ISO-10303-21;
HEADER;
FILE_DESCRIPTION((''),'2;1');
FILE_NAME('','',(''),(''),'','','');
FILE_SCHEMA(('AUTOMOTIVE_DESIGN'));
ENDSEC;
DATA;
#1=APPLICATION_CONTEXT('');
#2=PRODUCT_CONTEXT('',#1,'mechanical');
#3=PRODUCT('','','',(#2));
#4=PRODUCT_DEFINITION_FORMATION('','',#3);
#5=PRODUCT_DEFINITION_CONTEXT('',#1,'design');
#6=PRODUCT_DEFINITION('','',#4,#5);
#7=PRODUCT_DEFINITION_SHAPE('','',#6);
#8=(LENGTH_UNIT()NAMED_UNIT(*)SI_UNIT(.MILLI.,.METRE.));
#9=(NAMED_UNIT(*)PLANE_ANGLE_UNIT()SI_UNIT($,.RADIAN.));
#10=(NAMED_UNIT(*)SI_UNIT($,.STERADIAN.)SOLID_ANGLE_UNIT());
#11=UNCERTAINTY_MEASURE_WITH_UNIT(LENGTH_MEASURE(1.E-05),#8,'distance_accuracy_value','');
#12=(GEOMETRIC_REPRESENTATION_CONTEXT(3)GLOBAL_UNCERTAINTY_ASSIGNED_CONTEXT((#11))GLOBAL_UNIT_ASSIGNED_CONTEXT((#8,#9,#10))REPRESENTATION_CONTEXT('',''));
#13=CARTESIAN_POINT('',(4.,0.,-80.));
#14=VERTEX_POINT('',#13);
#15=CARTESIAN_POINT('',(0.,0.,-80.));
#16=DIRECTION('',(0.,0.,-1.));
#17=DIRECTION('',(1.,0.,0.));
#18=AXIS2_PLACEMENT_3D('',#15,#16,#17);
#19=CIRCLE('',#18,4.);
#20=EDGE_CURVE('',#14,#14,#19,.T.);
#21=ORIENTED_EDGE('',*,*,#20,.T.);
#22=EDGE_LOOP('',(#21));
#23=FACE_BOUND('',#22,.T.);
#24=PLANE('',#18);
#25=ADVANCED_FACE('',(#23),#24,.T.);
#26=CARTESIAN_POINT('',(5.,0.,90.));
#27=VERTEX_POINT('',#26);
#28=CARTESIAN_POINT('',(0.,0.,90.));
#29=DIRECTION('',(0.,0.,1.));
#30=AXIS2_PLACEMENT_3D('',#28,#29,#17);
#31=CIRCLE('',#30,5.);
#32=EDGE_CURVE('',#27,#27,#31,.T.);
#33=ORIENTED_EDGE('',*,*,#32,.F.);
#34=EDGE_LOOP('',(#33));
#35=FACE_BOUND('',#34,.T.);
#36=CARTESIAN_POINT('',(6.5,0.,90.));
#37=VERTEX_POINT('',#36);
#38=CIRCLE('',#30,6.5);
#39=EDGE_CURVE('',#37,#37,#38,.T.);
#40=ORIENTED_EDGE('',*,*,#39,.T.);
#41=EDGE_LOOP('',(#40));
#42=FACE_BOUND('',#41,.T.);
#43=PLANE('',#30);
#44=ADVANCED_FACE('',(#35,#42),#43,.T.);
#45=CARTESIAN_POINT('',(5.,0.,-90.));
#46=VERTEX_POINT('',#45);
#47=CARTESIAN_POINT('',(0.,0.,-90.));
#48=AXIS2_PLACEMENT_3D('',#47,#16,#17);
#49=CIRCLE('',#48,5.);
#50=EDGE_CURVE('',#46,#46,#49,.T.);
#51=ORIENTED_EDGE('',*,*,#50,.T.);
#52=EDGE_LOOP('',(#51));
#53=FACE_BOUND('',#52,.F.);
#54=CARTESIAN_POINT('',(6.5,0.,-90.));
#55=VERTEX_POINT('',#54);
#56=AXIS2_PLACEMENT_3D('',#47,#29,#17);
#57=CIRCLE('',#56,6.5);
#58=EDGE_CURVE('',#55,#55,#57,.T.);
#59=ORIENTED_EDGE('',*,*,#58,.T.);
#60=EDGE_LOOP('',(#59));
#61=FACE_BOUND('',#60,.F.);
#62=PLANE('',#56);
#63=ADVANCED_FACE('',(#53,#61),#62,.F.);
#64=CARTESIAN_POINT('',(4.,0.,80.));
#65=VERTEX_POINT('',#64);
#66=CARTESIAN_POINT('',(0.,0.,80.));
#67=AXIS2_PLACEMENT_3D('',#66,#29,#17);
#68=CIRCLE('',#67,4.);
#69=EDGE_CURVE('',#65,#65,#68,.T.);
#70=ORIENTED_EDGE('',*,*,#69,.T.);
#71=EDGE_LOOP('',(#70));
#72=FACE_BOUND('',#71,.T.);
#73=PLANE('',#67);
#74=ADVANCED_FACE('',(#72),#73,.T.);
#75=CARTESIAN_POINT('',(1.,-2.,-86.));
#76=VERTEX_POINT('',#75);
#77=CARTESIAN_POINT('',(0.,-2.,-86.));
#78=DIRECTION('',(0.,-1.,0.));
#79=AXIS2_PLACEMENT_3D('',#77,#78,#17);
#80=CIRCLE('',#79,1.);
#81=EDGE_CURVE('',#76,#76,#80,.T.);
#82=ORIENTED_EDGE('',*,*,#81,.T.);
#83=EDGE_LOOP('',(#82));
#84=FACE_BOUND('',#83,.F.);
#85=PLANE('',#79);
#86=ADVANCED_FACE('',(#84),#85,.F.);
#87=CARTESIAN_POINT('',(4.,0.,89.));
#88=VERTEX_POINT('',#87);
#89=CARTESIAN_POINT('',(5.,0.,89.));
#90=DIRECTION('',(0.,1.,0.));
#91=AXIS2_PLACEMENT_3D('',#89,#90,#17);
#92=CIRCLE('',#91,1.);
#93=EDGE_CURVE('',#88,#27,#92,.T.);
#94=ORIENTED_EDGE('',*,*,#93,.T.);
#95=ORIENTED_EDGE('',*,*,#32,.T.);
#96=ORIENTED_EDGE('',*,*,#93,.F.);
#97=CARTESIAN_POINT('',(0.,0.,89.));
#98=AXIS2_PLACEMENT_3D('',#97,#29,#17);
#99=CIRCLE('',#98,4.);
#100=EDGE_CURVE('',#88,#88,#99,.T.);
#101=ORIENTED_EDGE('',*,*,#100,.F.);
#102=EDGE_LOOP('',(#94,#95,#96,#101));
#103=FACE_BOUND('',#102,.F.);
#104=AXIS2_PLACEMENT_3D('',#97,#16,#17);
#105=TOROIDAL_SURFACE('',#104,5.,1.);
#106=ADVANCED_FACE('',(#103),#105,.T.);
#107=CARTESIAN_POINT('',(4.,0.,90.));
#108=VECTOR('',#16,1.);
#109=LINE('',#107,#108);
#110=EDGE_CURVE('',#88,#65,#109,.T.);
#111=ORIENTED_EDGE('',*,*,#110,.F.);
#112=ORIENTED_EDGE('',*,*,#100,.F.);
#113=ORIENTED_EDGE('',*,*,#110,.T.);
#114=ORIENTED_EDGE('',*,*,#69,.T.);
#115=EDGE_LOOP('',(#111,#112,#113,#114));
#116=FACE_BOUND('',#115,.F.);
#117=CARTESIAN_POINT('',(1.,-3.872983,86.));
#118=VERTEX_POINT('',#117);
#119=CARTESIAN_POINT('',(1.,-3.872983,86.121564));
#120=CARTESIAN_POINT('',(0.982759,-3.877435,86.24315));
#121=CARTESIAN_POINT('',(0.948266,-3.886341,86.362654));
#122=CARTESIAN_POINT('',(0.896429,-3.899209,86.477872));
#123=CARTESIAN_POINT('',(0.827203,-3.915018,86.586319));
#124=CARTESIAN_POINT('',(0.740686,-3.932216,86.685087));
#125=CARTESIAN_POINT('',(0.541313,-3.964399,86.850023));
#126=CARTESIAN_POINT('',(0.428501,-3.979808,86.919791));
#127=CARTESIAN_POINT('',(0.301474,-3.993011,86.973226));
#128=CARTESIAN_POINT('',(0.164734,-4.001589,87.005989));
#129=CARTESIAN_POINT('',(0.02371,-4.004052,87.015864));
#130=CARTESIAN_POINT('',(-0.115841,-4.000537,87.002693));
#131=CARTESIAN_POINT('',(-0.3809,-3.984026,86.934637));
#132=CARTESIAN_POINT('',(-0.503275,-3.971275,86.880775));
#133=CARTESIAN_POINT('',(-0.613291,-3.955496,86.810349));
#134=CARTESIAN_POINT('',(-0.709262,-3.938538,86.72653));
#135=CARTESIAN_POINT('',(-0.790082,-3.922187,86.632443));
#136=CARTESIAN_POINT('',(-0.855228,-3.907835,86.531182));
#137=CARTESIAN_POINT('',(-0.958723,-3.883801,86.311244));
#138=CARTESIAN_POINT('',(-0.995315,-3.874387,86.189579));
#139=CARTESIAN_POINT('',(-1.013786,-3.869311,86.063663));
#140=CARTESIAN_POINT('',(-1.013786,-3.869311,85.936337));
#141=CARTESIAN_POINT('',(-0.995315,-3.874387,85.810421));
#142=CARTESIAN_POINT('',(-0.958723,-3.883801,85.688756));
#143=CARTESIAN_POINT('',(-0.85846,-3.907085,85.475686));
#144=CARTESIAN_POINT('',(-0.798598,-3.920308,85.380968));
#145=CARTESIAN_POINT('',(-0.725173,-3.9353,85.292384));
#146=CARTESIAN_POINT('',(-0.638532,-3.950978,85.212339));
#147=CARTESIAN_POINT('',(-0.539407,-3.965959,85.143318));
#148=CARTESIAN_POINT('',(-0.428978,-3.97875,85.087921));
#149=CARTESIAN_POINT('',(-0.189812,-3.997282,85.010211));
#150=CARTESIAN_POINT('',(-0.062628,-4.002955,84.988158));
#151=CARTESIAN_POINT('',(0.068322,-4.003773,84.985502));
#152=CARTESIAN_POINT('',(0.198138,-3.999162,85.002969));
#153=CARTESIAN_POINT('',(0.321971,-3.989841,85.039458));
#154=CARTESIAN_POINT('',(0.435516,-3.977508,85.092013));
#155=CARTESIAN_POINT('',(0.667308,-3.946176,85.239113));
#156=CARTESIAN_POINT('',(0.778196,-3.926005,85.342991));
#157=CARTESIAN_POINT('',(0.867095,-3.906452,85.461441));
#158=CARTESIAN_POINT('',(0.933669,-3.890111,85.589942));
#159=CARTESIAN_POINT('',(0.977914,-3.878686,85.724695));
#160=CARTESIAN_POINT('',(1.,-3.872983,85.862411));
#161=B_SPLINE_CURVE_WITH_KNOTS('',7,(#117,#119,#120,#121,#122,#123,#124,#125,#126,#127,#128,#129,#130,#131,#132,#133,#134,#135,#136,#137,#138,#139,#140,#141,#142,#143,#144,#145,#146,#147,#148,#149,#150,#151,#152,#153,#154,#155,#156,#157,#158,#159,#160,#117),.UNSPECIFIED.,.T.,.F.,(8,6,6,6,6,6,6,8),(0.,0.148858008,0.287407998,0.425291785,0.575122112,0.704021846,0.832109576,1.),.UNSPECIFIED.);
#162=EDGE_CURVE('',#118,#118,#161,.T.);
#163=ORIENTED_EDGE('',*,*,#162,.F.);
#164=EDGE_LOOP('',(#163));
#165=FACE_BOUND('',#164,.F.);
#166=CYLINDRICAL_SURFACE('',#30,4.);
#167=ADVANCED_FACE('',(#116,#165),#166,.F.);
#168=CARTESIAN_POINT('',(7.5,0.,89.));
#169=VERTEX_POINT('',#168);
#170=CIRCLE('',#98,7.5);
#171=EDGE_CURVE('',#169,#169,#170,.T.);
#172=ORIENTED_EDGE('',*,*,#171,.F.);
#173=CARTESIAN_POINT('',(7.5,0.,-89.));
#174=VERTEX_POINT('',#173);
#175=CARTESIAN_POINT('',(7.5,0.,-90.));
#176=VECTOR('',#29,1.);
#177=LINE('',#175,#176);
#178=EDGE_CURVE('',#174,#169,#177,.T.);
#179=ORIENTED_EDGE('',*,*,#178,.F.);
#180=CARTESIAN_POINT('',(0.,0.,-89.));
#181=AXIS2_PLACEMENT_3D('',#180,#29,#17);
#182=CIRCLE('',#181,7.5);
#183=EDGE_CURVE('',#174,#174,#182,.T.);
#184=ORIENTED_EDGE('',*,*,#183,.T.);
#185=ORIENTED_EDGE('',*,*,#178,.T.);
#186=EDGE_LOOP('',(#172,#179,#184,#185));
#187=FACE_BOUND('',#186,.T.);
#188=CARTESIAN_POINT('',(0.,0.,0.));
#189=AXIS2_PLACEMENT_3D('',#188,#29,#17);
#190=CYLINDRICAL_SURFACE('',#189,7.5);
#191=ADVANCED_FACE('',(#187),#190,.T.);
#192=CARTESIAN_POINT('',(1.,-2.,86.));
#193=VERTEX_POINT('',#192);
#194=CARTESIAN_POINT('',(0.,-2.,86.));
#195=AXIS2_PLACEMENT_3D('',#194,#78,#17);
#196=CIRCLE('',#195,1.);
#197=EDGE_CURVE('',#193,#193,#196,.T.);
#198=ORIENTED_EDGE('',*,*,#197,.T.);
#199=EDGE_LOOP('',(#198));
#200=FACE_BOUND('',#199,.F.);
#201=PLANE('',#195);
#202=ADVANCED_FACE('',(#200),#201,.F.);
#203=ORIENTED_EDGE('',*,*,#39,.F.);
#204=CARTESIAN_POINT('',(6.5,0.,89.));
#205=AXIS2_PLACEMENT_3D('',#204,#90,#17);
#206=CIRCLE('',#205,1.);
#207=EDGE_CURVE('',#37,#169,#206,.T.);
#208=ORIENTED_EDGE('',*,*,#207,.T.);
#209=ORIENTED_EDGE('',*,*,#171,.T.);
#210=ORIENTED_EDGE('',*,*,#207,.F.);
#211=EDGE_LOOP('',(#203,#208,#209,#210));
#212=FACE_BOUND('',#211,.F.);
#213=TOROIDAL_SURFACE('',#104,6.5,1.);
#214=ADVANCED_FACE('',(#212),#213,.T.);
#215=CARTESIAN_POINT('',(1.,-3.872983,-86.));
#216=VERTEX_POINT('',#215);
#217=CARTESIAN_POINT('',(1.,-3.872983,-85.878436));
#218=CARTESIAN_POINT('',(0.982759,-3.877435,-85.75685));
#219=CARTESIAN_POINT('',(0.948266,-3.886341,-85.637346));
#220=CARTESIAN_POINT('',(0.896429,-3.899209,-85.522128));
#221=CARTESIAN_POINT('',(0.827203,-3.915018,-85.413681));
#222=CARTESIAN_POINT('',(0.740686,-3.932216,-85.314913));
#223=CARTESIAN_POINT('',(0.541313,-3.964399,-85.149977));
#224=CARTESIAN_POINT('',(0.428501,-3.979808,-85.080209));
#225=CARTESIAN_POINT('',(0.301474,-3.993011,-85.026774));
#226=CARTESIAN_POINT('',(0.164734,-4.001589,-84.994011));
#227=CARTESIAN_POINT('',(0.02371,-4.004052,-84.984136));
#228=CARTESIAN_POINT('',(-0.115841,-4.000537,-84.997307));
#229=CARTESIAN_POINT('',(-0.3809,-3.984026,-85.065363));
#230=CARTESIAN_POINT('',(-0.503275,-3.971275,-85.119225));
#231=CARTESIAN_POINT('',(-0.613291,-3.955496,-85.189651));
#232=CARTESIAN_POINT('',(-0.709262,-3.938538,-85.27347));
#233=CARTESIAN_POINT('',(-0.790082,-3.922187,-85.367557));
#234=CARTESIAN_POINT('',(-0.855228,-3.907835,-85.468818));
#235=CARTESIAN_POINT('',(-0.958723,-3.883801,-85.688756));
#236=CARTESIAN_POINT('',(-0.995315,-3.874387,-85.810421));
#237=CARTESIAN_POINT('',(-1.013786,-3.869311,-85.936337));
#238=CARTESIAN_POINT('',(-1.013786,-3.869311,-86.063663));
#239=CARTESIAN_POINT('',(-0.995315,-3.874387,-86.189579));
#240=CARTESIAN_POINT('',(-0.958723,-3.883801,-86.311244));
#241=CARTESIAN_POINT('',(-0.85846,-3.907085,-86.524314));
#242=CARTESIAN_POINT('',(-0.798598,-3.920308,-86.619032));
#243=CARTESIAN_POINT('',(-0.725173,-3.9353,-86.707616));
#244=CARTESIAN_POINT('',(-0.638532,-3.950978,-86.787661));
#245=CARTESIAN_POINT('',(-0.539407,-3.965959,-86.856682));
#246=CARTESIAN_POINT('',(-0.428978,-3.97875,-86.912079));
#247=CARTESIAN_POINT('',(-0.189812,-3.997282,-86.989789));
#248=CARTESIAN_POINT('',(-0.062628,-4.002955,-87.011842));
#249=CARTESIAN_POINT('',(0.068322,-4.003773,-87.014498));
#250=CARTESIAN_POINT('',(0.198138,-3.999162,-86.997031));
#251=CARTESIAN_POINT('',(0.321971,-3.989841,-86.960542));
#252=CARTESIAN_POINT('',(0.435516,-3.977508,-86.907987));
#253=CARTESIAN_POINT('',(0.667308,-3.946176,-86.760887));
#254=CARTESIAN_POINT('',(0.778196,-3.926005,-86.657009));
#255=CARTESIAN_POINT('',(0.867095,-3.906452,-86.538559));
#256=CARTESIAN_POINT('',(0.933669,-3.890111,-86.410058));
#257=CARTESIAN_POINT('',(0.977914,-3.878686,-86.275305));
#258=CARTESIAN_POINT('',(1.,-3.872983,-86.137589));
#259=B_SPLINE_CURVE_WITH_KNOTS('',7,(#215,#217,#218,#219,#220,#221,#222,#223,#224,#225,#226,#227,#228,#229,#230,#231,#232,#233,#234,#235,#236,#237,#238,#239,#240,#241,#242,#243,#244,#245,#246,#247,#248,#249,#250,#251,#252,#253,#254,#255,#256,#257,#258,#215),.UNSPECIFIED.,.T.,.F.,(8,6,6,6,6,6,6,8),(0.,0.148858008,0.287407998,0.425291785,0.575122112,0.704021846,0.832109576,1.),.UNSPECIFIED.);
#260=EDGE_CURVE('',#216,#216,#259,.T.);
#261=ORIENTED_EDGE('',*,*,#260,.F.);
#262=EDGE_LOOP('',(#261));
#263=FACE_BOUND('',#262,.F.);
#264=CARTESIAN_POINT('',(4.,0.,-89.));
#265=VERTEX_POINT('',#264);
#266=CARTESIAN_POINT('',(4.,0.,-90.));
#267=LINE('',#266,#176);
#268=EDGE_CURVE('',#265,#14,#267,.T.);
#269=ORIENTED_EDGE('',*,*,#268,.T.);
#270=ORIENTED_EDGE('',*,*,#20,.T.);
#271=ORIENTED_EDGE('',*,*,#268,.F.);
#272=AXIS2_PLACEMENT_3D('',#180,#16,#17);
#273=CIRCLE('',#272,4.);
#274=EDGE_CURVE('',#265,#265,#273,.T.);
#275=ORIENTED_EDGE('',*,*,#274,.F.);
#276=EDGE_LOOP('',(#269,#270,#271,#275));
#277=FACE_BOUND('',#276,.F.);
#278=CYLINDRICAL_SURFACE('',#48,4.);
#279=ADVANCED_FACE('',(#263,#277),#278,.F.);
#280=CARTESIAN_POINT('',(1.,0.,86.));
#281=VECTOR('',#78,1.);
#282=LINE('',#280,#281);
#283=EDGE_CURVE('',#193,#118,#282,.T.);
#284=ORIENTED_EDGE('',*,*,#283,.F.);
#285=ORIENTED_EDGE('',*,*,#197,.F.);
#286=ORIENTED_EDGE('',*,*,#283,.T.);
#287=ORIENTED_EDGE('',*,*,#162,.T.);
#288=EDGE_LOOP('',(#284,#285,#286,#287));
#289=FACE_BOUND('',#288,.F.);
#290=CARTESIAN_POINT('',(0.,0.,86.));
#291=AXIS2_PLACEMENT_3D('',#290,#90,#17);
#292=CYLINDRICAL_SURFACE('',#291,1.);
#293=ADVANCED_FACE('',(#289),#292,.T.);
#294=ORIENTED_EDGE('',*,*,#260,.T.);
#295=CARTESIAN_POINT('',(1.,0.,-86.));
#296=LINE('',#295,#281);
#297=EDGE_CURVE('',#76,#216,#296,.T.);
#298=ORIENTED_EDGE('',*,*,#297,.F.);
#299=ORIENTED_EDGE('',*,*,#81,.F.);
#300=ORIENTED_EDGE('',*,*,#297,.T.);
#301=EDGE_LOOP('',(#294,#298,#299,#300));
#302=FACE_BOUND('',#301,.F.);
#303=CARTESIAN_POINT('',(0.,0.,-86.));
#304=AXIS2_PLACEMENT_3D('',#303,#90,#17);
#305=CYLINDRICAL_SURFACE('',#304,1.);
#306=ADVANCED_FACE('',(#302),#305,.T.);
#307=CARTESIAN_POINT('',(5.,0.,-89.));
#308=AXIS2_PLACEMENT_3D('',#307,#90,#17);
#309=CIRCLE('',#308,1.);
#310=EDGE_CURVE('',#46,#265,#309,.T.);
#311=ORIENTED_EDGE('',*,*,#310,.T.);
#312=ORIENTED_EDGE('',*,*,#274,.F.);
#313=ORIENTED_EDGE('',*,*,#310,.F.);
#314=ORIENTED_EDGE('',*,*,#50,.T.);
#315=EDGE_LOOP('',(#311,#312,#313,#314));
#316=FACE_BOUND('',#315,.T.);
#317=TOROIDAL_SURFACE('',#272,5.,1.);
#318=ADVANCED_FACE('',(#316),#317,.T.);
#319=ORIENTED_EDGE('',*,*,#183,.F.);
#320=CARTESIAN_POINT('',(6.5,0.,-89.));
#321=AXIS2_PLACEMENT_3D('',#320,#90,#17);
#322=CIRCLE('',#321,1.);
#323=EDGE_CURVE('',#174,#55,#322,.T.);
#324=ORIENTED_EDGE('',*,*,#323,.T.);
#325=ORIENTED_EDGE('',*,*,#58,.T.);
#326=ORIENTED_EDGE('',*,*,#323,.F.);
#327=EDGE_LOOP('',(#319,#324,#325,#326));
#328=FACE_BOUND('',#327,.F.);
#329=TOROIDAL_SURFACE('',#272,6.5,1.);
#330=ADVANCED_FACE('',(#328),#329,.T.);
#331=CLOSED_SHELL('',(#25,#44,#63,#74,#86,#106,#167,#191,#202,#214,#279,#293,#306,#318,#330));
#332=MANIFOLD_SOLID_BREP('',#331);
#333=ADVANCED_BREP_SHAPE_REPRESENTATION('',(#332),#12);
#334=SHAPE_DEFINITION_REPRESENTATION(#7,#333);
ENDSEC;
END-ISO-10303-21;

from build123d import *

# Parameters (mm, degrees)
F0_R     = 7.5
F1_DEPTH = 90
F2_R     = 4
F3_DEPTH = 10
F4_R     = 4
F5_DEPTH = 10
F6_R     = 1
F7_DEPTH = 5.0000001171
F8_DEPTH = 2
F9_R     = 1


with BuildPart() as f1:
    # F0 (on Top) → F1 (new body, symmetric)
    with BuildSketch(Plane.XY):
        Circle(F0_R)
    extrude(amount=F1_DEPTH, both=True)

    # F2 (on face) → F3 (cut)
    with BuildSketch(Plane.XY.offset(90)):
        Circle(F2_R)
    extrude(amount=-F3_DEPTH, mode=Mode.SUBTRACT)

    # F4 (on face) → F5 (cut)
    with BuildSketch(Plane(origin=(0, 0, -90), x_dir=(1, 0, 0), z_dir=(0, 0, -1))):
        Circle(F4_R)
    extrude(amount=-F5_DEPTH, mode=Mode.SUBTRACT)

    # F6 (on Front) → F7 (join, up to face)
    with BuildSketch(Plane.XZ):
        with Locations((0, 86)):
            Circle(F6_R)
        with Locations((0, -86)):
            Circle(F6_R)
    extrude(amount=F7_DEPTH)

    # F8 (cut): faces of the model
    f8_faces = [f1.faces().sort_by_distance(p)[0] for p in [
        (0, 0, 86),
        (0, 0, -86),
    ]]
    extrude(f8_faces, amount=-F8_DEPTH, mode=Mode.SUBTRACT)

    # F9
    f9_edges = [f1.edges().sort_by_distance(p)[0] for p in [
        (-7.5, 0, -90),
        (-4, 0, -90),
        (-7.5, 0, 90),
        (-4, 0, 90),
    ]]
    fillet(f9_edges, radius=F9_R)


solid = f1.part
